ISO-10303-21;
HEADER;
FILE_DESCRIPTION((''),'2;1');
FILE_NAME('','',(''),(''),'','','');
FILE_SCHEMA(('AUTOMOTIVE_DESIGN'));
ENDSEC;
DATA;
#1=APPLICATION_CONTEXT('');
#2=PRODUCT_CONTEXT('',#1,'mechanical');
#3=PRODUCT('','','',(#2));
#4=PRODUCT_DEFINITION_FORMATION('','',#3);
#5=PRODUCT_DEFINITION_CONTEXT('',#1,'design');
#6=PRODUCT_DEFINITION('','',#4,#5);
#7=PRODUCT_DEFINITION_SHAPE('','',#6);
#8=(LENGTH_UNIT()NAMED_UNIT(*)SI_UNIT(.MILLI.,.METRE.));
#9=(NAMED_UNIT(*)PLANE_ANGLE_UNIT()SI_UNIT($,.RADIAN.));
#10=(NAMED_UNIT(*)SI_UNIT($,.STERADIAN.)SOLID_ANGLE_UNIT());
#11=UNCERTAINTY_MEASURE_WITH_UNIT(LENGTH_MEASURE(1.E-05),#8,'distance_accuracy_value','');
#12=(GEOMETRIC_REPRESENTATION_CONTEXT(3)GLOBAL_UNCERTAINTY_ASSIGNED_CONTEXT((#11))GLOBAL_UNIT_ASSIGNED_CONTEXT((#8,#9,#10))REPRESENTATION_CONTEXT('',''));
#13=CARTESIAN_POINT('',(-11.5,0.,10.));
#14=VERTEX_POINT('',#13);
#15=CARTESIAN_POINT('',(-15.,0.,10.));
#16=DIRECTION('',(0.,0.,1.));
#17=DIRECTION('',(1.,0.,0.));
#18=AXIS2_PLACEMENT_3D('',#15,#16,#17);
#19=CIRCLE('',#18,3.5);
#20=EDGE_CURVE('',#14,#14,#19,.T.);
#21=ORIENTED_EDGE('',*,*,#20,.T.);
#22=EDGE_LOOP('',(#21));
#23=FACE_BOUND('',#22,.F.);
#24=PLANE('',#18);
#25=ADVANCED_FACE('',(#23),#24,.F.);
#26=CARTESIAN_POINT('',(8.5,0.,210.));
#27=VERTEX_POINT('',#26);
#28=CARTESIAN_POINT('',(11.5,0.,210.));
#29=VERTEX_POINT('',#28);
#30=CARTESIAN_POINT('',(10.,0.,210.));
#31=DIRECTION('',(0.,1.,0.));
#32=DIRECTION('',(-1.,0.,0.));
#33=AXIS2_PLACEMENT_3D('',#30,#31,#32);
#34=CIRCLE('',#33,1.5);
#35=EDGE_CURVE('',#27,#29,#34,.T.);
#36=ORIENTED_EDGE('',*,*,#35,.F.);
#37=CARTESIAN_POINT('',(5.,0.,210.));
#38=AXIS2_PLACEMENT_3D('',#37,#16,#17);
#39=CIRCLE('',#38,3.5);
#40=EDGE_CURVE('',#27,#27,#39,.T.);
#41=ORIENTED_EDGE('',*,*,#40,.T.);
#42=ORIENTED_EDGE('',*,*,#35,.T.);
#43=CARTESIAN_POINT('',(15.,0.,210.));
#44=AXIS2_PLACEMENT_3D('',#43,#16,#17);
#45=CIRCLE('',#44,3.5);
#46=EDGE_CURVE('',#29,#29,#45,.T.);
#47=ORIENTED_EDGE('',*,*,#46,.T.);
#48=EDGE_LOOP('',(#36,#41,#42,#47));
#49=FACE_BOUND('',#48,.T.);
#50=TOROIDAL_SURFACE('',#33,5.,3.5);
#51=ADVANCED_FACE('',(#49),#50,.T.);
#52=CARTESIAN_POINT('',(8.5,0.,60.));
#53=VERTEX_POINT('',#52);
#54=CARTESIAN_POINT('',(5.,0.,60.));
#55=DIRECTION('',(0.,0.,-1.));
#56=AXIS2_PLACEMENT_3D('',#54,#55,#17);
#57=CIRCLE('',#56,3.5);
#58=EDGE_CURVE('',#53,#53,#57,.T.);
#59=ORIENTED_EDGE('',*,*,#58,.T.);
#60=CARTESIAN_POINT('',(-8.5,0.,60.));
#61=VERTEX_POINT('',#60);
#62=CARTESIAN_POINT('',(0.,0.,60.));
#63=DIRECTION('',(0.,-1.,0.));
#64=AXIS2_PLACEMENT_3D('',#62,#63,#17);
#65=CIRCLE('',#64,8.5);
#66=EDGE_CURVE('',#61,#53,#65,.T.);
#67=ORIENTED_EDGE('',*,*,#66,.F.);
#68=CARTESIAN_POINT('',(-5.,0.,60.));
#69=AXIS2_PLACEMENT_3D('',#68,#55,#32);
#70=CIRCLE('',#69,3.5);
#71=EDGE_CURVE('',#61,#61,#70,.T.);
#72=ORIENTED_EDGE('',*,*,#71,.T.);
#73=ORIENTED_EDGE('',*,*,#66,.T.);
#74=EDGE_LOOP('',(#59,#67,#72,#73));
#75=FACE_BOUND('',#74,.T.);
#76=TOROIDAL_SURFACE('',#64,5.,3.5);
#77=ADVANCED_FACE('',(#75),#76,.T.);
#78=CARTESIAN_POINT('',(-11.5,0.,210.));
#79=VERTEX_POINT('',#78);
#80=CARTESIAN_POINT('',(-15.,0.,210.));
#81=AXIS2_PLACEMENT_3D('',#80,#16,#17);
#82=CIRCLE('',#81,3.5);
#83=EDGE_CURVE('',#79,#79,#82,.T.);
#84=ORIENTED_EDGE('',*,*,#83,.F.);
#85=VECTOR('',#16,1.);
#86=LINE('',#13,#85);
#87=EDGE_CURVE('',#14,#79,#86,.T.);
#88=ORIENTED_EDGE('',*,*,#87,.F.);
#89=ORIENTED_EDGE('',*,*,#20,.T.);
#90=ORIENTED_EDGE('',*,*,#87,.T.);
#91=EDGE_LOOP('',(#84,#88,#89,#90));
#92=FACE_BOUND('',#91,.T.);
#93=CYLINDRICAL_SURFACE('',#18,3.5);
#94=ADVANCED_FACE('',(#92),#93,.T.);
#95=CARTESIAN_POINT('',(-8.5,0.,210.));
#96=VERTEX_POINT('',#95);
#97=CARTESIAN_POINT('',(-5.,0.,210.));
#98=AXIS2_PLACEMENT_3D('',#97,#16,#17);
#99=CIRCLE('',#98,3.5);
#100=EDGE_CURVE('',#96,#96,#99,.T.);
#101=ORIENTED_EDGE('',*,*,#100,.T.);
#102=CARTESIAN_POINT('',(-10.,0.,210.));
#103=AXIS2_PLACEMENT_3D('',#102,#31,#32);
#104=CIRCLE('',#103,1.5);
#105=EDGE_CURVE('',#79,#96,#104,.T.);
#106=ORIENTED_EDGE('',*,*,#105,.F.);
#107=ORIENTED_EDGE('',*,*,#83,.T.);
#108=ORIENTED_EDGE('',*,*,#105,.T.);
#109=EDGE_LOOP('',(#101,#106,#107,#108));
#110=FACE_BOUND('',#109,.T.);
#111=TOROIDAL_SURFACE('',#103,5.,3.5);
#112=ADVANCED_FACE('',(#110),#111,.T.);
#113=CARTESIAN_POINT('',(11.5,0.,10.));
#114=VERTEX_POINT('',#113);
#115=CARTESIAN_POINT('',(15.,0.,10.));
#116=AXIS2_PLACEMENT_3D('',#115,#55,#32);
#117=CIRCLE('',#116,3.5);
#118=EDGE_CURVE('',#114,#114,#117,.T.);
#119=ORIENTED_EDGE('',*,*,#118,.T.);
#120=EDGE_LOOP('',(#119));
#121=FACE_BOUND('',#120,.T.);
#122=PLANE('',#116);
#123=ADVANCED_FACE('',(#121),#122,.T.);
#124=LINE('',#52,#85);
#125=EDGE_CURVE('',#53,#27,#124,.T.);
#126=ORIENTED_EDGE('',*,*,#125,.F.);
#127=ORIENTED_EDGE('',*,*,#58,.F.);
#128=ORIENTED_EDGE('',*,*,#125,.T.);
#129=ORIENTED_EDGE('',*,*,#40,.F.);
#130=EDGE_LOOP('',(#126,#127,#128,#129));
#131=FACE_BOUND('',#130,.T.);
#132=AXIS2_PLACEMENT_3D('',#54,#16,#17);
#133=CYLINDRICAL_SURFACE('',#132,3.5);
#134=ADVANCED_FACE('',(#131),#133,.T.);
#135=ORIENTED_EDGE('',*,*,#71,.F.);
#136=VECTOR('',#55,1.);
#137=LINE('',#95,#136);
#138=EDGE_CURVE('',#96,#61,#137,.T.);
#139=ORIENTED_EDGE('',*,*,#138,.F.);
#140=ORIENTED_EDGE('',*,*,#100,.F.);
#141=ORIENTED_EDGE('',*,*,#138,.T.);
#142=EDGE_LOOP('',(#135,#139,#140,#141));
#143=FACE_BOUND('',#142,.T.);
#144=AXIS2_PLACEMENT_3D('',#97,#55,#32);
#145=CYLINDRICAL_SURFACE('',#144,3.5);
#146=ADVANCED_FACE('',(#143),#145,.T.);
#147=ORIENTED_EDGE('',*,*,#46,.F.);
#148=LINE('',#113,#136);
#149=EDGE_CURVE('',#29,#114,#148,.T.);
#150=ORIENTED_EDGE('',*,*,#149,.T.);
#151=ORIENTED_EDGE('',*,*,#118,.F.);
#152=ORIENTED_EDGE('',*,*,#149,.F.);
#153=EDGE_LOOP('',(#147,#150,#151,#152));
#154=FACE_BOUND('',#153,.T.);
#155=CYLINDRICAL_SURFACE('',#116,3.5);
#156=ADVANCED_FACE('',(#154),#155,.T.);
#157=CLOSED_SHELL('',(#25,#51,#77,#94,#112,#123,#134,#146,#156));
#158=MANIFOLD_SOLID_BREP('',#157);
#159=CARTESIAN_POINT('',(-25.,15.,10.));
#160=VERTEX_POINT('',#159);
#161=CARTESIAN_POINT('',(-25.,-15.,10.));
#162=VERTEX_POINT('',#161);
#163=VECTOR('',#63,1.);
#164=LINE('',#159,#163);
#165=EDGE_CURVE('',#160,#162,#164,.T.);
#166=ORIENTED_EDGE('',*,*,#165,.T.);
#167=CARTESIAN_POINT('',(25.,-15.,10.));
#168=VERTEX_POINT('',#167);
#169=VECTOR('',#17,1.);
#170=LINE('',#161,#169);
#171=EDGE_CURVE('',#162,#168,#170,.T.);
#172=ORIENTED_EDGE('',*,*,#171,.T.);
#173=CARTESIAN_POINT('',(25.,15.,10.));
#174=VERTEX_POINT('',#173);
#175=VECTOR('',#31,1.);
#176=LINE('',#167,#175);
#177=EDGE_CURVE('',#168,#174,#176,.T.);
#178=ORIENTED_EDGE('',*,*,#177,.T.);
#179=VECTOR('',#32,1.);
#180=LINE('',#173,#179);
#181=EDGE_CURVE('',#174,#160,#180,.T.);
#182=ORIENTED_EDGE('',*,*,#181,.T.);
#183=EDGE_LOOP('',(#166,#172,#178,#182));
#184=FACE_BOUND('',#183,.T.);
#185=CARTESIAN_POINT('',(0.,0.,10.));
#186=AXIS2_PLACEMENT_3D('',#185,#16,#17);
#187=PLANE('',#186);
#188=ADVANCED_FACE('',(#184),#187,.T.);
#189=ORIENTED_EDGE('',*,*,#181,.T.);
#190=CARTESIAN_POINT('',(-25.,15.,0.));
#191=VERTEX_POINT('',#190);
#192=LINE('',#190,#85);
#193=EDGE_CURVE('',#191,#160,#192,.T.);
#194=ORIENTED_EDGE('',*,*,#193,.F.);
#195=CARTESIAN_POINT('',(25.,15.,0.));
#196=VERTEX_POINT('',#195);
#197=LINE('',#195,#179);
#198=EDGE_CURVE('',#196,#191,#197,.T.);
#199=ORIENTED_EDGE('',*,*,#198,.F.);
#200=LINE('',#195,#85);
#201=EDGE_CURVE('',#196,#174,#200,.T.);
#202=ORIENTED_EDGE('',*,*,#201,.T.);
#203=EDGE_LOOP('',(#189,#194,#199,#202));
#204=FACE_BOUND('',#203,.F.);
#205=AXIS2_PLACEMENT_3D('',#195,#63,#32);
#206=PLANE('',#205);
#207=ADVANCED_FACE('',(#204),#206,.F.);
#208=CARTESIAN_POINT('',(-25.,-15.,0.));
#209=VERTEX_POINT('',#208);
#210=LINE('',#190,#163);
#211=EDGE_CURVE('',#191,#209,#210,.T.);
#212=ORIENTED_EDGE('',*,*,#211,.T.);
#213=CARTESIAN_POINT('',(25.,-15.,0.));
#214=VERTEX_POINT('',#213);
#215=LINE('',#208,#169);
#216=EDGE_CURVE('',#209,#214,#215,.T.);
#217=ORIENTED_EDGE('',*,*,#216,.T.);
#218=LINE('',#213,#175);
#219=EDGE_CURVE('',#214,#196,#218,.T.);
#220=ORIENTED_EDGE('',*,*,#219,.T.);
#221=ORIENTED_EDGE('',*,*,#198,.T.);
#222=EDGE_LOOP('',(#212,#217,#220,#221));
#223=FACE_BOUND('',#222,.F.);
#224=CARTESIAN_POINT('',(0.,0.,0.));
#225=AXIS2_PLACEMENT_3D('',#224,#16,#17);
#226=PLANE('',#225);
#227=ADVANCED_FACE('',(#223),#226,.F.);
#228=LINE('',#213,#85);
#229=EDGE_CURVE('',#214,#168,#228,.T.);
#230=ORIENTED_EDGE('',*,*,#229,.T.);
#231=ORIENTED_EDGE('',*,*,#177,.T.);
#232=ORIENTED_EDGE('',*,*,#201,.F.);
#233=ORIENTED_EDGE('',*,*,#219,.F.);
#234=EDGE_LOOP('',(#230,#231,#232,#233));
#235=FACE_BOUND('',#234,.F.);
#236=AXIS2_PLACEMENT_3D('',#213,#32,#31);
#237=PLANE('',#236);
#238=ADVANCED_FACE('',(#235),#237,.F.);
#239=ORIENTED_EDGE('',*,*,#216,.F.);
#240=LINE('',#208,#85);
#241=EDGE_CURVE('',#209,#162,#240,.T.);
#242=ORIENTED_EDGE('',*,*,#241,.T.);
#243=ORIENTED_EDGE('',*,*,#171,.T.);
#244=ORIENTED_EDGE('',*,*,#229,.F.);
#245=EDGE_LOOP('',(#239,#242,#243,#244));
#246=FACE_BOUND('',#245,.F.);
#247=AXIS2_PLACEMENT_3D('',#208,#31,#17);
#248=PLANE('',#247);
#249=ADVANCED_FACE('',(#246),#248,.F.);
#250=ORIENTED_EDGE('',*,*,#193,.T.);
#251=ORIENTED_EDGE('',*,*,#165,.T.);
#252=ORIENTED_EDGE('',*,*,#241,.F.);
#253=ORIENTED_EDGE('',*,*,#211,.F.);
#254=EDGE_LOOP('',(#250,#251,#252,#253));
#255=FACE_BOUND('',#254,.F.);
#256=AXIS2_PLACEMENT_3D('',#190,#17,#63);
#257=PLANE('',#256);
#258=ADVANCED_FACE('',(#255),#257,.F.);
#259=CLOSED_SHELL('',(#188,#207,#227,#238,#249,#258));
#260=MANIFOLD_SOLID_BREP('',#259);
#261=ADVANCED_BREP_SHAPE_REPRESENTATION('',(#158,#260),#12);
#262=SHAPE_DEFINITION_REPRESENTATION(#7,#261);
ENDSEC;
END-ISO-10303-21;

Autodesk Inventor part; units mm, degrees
ref_plane "YZ Plane" through (0, 0, 0) normal (1, 0, 0) x (0, 1, 0)
ref_plane "XZ Plane" through (0, 0, 0) normal (0, 1, 0) x (-1, 0, 0)
ref_plane "XY Plane" through (0, 0, 0) normal (0, 0, 1) x (1, 0, 0)
sketch "Skizze1" plane through (0, 0, 0) normal (0, 0, 1) x (1, 0, 0)
  line L0 (-25, -15) -> (25, -15)
  line L1 (25, -15) -> (25, 15)
  line L2 (25, 15) -> (-25, 15)
  line L3 (-25, 15) -> (-25, -15)
  line L4 (-25, -15) -> (25, 15) construction
  line L5 (25, -15) -> (-25, 15) construction
  point P0 (0, 0)
  dimension "d0" = 50
  dimension "d1" = 30
extrude "Extrusion1" add sketch "Skizze1" along normal blind 10
sketch "Skizze2" plane through (0, 0, 10) normal (0, 0, 1) x (1, 0, 0)
  circle A0 centre (-15, 0) radius 3.5
  circle A1 centre (15, 0) radius 3.5
  line L0 (0, -21) -> (0, 21) projected
  point P0 (0, 0)
  dimension "d4" = 7
  dimension "d5" = 7
  dimension "d6" = 30
sketch "Skizze3" plane through (0, 0, 0) normal (0, 1, 0) x (-1, 0, 0)
  line L0 (-25, 10) -> (25, 10) projected
  line L1 (-15, 10) -> (-15, 210)
  line L2 (15, 10) -> (15, 210)
  line L3 (5, 210) -> (5, 60)
  line L4 (-5, 60) -> (-5, 210)
  arc A0 (-5, 210) -> (-15, 210) centre (-10, 210) ccw
  arc A1 (15, 210) -> (5, 210) centre (10, 210) ccw
  arc A2 (-5, 60) -> (5, 60) centre (0, 60) ccw
  point P0 (0, 0)
  dimension "d7" = 30
  dimension "d8" = 15
  dimension "d9" = 200
  dimension "d10" = 200
  dimension "d11" = 150
  dimension "d12" = 10
  dimension "d13" = 10
sweep "Sweeping1" add profiles "Skizze2" path "Skizze3" separate body path curves L2 A1 L3 A2 L4 A0 L1 contours A0
equation "\"d10\" = d9"
properties part number "Heizwendel"
